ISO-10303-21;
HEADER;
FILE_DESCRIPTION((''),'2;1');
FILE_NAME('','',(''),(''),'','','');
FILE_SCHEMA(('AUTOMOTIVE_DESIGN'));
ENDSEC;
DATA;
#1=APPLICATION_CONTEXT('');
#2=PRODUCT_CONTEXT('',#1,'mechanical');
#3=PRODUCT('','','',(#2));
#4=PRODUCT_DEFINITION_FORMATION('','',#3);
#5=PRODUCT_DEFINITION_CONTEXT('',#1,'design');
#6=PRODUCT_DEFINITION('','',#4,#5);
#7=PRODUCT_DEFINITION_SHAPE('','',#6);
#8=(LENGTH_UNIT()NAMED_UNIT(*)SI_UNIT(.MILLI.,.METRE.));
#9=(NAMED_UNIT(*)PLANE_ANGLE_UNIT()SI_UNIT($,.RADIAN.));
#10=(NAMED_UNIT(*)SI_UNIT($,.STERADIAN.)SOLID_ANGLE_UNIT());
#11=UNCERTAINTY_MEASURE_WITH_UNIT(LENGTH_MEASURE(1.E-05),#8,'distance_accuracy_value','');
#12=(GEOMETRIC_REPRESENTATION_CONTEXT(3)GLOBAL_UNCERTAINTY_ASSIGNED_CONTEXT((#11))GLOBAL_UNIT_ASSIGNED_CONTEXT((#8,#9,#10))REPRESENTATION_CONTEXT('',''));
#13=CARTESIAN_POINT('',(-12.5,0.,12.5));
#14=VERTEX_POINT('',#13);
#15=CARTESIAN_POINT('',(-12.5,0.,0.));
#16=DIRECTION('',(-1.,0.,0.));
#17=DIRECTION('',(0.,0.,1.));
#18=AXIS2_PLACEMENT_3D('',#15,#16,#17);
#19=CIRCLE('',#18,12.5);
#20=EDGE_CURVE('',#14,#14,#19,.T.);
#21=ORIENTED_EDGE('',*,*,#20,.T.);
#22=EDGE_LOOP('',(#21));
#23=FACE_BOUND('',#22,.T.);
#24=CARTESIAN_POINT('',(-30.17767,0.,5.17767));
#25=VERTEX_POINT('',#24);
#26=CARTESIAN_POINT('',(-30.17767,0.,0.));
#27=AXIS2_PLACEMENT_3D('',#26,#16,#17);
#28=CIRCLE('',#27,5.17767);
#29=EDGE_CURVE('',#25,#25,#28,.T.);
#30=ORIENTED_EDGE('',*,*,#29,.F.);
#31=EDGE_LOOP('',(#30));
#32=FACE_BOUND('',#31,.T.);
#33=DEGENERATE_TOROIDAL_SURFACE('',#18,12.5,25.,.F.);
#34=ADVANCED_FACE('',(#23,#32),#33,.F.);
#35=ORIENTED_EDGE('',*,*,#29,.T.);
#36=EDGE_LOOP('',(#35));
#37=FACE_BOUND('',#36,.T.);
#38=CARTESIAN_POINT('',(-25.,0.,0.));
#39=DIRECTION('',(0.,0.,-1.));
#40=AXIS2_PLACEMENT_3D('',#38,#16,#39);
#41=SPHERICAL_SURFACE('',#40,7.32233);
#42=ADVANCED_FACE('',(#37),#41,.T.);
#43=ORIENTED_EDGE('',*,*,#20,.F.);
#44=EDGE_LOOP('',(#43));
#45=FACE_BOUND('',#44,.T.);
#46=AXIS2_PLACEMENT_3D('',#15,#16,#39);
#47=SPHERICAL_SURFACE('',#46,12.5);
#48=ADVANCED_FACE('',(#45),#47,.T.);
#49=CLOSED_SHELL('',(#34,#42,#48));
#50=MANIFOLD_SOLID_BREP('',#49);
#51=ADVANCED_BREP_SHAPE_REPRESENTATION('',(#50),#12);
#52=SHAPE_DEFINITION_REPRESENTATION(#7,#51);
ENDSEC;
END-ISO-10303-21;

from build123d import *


with BuildPart() as part:
    # Esquisse1 → Révolution1 (revolve)
    with BuildSketch(Plane(origin=(0, 0, 0), x_dir=(1, 0, 0), z_dir=(0, 1, 0))):
        with BuildLine():
            Line((-32.32233047, 0), (0, 0))
            ThreePointArc((0, 0), (-3.661165235, 8.838834765), (-12.5, 12.5))
            ThreePointArc((-12.5, 12.5), (-22.067085809, 10.596988313), (-30.17766953, 5.17766953))
            ThreePointArc((-30.17766953, 5.17766953), (-31.764951252, 2.802134557), (-32.32233047, 0))
        make_face()
    revolve(axis=Axis((-32.32233047, 0, 0), (1, 0, 0)))


solid = part.part
